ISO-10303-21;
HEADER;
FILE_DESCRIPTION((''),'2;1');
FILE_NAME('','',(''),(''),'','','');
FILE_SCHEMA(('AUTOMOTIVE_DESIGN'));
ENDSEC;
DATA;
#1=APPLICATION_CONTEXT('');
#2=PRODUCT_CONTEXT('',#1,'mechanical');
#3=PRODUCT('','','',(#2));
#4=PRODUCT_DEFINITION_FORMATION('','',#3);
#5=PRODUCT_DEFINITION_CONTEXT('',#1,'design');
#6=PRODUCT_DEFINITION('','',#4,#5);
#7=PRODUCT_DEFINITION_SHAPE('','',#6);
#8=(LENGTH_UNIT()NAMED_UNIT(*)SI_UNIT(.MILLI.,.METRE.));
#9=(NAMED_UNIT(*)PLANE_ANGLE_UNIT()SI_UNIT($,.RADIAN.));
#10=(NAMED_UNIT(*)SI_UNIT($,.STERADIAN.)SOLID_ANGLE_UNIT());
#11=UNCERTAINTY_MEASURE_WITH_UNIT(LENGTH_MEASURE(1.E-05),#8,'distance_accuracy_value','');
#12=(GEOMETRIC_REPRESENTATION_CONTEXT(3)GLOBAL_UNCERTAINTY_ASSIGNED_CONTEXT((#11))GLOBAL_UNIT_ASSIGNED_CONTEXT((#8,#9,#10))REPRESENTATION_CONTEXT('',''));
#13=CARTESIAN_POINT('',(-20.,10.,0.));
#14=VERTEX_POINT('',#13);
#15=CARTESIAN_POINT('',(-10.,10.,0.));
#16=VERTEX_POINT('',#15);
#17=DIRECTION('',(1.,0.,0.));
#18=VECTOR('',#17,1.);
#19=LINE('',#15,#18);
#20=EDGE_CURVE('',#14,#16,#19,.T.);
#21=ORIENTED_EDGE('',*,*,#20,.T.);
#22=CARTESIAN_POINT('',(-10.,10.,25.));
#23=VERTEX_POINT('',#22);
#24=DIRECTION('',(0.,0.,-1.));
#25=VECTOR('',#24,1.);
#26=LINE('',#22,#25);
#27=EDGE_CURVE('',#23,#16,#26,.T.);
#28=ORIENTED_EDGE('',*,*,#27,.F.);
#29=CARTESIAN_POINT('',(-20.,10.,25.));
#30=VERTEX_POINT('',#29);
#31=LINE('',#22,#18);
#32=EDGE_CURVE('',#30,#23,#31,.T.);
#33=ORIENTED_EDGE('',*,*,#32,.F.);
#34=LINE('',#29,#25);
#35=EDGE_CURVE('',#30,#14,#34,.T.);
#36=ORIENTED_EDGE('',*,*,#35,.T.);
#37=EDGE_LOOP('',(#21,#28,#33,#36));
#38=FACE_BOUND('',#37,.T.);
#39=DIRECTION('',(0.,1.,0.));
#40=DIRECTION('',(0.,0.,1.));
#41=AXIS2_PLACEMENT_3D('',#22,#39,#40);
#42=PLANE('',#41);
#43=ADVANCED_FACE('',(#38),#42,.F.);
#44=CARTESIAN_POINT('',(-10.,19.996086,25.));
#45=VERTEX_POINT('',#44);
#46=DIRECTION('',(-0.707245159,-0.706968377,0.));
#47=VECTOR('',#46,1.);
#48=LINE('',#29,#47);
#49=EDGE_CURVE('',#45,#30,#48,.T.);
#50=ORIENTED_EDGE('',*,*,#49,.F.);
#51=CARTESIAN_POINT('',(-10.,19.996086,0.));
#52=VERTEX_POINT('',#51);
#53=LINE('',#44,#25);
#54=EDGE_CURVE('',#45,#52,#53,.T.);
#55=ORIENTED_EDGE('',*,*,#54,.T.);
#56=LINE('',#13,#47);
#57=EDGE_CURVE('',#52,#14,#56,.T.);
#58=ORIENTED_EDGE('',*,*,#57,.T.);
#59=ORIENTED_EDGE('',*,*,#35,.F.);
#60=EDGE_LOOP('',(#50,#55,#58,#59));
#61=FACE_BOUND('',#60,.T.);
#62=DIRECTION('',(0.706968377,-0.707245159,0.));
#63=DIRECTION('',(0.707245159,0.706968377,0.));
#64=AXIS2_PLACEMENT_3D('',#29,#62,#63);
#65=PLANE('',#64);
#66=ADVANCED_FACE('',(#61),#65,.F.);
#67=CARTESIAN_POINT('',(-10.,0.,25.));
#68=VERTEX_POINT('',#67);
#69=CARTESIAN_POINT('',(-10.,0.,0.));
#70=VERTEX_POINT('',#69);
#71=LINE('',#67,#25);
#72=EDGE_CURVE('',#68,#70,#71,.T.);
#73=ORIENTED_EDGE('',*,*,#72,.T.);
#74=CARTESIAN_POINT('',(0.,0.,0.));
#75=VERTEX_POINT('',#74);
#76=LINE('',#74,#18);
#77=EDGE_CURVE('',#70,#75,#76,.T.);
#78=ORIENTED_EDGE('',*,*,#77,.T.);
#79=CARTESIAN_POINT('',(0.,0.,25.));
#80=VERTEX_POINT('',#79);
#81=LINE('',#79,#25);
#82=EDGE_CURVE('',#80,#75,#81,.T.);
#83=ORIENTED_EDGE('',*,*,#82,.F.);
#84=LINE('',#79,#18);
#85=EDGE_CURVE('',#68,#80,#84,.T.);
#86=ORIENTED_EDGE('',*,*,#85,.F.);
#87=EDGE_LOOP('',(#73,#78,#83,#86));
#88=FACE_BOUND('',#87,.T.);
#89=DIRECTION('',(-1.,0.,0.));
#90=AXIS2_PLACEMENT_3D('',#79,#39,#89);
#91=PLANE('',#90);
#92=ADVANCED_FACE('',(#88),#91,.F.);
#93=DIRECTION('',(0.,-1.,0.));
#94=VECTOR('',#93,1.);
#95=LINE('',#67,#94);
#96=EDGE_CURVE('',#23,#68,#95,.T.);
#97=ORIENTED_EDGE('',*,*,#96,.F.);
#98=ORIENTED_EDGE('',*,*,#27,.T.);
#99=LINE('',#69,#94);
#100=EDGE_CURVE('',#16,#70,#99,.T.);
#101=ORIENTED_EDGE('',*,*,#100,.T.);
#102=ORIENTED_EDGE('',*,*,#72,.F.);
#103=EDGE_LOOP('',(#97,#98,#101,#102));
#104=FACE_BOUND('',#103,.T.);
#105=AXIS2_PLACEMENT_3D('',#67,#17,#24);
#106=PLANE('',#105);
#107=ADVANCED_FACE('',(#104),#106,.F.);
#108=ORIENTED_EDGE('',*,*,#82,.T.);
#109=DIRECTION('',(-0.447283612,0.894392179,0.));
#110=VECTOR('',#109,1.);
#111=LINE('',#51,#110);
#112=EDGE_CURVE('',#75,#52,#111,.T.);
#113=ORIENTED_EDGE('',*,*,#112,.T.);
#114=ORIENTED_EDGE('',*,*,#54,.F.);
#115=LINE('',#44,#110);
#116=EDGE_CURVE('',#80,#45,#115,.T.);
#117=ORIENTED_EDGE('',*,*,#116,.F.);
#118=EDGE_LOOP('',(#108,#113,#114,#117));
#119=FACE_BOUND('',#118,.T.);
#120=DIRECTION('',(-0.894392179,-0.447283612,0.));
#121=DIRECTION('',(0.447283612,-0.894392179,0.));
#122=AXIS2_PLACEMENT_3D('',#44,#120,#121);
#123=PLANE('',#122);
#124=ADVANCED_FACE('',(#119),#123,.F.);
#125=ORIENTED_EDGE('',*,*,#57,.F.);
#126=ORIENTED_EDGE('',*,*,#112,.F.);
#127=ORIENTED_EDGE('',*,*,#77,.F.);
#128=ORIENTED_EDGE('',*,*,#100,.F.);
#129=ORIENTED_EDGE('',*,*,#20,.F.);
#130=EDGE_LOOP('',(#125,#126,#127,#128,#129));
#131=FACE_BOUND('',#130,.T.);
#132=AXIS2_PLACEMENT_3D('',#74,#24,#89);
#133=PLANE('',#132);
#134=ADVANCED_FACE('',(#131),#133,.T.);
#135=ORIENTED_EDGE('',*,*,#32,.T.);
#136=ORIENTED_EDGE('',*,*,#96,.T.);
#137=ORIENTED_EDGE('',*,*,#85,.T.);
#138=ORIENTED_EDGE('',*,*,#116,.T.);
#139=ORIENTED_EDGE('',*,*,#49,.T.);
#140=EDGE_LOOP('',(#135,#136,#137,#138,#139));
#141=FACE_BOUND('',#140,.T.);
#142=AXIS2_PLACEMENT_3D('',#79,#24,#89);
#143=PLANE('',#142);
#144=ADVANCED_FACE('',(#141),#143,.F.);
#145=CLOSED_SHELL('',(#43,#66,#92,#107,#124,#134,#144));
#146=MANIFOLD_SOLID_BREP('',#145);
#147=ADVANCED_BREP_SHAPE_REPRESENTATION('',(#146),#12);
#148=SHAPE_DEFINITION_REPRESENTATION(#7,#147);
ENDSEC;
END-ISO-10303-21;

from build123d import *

# Parameters (mm, degrees)
BOSS_EXTRUDE1_DEPTH = 25


with BuildPart() as part:
    # Sketch1 → Boss-Extrude1 (new body)
    with BuildSketch(Plane.XY):
        Polygon((-20, 10), (-10, 19.996086474), (0, 0), (-10, 0), (-10, 10), align=None)
    extrude(amount=BOSS_EXTRUDE1_DEPTH)


solid = part.part
